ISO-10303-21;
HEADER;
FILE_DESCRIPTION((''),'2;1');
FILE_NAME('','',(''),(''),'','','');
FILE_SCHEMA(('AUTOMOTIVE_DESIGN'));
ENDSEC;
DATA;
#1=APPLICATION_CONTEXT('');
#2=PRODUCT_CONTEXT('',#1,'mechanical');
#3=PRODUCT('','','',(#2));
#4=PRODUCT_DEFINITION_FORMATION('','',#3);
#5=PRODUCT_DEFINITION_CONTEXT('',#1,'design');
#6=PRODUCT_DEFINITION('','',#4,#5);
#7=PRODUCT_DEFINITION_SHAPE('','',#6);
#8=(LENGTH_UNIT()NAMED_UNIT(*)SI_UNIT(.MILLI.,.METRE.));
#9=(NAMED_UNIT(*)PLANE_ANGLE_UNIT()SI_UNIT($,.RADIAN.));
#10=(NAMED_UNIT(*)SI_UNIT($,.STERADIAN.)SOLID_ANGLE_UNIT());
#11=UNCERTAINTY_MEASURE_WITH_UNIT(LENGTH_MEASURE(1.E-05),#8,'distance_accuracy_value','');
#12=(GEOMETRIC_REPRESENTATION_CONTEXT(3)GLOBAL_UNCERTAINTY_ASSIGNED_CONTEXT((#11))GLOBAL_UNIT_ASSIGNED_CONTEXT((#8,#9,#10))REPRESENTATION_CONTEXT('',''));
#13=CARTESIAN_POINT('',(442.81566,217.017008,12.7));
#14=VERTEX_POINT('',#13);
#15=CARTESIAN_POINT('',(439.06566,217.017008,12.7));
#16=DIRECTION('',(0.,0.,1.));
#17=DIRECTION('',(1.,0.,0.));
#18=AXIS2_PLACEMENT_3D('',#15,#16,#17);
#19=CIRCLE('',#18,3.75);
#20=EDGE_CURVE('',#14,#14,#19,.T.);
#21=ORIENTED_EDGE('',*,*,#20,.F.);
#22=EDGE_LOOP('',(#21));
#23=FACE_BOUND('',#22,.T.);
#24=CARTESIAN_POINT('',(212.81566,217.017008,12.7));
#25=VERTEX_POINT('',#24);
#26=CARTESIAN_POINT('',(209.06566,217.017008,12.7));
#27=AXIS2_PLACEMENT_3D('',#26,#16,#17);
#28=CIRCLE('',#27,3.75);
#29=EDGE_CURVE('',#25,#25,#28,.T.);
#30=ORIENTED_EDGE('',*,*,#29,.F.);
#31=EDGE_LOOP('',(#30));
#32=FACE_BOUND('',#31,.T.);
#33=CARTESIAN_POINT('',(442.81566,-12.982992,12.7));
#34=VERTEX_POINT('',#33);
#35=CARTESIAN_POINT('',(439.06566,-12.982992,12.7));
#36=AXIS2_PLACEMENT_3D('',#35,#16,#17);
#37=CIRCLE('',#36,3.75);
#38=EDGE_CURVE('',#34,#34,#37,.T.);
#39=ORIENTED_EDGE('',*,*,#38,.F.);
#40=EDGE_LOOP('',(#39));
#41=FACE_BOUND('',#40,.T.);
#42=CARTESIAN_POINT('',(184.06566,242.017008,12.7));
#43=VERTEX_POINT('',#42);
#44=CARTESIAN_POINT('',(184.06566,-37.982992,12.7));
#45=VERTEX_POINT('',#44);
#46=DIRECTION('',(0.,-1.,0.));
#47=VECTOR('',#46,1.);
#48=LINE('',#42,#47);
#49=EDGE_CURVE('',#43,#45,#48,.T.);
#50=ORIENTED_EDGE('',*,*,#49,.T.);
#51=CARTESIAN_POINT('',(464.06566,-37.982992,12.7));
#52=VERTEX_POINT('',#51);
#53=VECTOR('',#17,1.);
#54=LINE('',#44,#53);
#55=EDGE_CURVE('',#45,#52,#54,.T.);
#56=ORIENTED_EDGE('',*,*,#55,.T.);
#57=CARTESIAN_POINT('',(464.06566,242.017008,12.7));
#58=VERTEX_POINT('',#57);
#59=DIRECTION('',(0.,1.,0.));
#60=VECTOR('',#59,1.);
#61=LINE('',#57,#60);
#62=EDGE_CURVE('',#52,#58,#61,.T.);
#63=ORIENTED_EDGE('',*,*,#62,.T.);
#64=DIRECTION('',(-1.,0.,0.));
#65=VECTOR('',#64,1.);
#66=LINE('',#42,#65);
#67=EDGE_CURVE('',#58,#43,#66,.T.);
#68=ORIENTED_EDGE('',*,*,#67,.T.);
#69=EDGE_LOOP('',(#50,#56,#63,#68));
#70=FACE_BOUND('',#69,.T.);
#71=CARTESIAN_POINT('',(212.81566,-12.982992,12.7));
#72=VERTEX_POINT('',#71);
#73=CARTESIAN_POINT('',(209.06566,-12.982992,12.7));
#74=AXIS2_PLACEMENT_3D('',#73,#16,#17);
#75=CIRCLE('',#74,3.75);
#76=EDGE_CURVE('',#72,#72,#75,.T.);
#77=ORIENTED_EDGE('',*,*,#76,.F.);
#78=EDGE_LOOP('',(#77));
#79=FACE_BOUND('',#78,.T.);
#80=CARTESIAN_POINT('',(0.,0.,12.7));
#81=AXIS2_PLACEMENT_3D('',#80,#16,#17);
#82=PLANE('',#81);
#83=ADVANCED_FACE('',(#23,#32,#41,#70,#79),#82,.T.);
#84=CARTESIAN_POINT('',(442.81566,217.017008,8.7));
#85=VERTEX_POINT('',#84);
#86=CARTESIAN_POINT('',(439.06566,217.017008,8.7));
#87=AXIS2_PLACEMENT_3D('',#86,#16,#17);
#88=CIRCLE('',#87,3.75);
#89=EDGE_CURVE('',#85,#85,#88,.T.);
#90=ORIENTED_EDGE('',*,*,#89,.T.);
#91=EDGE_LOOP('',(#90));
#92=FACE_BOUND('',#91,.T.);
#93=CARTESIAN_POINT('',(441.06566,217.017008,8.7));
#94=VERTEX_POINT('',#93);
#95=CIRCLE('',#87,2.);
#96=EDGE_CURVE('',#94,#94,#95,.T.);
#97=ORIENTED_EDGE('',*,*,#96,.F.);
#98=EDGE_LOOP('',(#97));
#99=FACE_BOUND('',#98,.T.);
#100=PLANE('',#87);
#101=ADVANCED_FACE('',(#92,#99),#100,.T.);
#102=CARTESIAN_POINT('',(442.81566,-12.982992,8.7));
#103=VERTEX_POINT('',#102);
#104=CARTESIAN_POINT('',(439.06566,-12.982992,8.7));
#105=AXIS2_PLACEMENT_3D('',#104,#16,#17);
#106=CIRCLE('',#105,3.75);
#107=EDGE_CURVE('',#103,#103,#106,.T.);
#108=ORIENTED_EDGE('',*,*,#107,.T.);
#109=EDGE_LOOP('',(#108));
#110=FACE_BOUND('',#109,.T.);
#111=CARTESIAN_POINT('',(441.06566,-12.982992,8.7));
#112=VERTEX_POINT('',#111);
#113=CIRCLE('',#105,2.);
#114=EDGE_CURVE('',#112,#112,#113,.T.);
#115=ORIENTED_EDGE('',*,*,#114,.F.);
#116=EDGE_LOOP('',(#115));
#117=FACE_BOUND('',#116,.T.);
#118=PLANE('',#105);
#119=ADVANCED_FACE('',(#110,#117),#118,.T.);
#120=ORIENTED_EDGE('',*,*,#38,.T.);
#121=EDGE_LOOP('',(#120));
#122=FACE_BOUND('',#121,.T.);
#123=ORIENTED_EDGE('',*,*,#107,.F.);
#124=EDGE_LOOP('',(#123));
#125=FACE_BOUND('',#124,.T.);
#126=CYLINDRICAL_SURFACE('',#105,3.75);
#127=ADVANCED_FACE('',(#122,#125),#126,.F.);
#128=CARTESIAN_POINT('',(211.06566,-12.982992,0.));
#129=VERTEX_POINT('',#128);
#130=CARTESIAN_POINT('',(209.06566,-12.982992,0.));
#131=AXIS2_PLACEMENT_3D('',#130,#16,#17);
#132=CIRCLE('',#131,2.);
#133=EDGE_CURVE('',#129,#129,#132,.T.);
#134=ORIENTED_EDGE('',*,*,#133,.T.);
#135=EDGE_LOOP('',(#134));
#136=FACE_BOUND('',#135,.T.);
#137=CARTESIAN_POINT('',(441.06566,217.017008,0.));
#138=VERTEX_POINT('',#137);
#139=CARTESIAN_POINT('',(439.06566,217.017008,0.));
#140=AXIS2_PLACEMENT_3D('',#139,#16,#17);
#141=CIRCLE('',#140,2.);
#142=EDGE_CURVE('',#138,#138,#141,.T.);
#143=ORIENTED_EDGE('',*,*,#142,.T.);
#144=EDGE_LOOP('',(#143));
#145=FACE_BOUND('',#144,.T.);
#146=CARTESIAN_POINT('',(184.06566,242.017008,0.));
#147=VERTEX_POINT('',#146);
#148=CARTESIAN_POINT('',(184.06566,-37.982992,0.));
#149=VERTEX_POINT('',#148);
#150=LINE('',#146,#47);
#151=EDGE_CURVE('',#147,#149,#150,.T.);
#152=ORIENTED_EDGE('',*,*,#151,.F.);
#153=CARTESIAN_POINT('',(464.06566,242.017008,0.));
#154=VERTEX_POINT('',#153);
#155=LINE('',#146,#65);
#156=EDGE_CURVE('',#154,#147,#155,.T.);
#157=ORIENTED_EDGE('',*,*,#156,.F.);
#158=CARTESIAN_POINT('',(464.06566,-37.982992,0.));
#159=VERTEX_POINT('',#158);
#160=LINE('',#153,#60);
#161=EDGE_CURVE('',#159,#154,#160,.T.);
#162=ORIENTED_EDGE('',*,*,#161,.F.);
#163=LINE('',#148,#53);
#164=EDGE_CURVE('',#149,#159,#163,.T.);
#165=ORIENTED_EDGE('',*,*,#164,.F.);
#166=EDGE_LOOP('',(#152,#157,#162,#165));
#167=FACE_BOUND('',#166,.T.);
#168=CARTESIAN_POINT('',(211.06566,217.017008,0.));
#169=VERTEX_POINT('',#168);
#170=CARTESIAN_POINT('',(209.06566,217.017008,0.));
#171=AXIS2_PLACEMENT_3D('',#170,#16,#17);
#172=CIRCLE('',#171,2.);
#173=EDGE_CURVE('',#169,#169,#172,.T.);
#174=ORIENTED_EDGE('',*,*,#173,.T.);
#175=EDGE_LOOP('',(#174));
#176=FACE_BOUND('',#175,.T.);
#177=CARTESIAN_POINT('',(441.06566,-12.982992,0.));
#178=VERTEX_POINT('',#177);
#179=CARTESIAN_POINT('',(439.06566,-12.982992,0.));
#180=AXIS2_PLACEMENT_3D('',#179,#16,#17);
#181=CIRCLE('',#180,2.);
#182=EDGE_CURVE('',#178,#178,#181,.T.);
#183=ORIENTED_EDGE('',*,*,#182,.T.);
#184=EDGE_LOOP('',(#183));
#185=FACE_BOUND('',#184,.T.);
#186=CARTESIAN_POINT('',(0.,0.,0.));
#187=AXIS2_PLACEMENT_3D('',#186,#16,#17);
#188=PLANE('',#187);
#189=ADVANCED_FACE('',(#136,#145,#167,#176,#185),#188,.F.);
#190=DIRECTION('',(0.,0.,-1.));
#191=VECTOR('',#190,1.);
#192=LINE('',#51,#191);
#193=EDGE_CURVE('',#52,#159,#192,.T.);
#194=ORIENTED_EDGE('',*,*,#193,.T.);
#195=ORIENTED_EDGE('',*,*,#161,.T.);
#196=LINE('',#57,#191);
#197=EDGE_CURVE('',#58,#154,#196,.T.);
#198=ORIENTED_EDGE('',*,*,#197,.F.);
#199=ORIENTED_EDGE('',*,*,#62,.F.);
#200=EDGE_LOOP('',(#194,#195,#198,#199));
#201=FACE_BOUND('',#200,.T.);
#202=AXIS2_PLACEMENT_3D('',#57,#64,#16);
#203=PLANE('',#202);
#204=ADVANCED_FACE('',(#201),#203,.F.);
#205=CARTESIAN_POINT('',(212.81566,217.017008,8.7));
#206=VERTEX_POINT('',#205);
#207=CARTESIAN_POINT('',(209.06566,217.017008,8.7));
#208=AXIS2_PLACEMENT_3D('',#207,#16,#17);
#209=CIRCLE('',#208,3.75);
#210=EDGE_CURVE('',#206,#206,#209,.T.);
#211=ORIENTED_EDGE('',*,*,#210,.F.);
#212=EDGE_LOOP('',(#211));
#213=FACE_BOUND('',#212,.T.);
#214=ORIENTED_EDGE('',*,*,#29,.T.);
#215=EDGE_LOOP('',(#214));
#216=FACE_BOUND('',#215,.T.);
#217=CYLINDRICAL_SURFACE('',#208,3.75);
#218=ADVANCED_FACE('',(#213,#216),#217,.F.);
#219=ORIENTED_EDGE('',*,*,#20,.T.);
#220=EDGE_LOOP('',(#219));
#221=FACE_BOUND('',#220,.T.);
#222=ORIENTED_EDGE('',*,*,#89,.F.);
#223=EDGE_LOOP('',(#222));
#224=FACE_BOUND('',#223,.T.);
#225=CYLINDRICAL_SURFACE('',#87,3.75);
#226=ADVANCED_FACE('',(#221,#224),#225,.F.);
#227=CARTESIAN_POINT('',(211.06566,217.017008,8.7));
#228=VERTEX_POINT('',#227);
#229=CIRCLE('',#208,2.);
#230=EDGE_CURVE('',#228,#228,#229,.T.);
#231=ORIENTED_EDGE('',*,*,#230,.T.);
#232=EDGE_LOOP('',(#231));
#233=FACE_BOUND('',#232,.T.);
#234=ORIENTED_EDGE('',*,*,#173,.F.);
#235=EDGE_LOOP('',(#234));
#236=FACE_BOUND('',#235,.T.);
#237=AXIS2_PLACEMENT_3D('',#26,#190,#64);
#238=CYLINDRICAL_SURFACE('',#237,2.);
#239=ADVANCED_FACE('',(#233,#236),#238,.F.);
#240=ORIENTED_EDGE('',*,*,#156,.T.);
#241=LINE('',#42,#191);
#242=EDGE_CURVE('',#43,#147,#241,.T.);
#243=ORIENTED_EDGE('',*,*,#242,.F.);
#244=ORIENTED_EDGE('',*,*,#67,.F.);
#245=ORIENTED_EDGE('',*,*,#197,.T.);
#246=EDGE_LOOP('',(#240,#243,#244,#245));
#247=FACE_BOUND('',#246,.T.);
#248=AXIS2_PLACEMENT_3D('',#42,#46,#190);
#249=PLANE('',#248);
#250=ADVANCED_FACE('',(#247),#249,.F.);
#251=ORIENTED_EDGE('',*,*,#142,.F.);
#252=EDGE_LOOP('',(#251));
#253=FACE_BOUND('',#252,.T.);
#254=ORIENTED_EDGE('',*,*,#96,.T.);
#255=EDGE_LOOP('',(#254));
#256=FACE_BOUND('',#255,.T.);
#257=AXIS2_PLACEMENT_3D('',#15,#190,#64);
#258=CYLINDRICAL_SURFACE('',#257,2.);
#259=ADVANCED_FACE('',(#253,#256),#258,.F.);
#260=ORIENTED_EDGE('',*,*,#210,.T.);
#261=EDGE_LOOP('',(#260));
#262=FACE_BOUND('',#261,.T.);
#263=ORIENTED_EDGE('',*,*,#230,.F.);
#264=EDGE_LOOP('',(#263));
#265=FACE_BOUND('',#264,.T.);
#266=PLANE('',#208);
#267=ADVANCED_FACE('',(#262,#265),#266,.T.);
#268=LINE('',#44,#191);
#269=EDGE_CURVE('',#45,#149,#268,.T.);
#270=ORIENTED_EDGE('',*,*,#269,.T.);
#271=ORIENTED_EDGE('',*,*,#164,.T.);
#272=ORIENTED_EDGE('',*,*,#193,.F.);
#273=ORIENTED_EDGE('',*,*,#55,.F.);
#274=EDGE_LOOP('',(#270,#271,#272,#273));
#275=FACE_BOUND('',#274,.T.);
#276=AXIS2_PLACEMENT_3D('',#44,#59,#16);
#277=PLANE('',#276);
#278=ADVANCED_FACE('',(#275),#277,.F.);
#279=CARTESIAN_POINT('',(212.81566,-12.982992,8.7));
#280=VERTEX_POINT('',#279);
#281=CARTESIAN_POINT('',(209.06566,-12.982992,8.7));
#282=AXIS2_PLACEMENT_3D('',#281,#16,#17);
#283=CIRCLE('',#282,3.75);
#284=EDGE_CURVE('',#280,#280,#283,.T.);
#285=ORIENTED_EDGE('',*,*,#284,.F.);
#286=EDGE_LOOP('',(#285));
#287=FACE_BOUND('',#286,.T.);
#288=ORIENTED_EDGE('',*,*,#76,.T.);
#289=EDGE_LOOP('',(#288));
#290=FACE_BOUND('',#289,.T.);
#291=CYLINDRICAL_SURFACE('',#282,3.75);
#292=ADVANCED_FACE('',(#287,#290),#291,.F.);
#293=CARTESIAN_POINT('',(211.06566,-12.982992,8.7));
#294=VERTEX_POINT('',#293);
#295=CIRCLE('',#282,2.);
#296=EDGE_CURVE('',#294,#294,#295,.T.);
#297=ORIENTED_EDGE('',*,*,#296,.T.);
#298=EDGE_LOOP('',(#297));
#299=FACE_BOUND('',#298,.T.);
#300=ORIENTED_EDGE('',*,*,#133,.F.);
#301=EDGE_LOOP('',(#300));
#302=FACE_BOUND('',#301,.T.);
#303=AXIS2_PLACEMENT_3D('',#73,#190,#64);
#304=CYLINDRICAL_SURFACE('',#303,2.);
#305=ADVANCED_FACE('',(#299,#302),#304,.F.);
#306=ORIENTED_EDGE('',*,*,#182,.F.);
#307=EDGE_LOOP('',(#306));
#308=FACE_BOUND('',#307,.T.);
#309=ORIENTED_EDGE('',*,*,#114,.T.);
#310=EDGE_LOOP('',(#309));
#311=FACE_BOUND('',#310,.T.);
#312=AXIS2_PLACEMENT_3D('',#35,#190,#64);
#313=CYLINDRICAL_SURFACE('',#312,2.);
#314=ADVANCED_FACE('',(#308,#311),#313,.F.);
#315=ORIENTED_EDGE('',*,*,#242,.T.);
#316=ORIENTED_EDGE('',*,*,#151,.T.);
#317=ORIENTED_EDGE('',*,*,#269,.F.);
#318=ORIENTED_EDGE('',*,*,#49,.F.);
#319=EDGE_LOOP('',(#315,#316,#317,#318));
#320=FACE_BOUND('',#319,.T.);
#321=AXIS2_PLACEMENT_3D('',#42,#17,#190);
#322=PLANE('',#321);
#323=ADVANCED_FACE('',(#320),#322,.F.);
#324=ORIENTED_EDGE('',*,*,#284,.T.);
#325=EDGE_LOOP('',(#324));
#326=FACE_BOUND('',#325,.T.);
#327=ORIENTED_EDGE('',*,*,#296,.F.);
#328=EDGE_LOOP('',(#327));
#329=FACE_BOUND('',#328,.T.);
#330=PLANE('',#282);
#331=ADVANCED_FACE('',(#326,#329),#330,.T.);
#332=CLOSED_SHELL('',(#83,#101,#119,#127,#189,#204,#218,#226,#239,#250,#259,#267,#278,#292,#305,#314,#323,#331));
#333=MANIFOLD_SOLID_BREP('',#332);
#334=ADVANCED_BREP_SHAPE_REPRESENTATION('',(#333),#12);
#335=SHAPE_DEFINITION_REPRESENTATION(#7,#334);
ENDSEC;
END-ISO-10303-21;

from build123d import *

# Parameters (mm, degrees)
SKETCH1_W           = 280
SKETCH1_H           = 280
SKETCH1_R           = 2
BOSS_EXTRUDE1_DEPTH = 12.7
SKETCH2_R           = 3.75
CUT_EXTRUDE1_DEPTH  = 4


with BuildPart() as part:
    # Sketch1 → Boss-Extrude1 (new body)
    with BuildSketch(Plane.XY):
        with Locations((324.065660481, 102.017007569)):
            Rectangle(SKETCH1_W, SKETCH1_H)
        with Locations((209.065660481, 217.017007569)):
            Circle(SKETCH1_R, mode=Mode.SUBTRACT)
        with Locations((439.065660481, 217.017007569)):
            Circle(SKETCH1_R, mode=Mode.SUBTRACT)
        with Locations((439.065660481, -12.982992431)):
            Circle(SKETCH1_R, mode=Mode.SUBTRACT)
        with Locations((209.065660481, -12.982992431)):
            Circle(SKETCH1_R, mode=Mode.SUBTRACT)
    extrude(amount=BOSS_EXTRUDE1_DEPTH)

    # Sketch2 → Cut-Extrude1 (cut)
    with BuildSketch(Plane.XY.offset(12.7)):
        with Locations((209.065660481, -12.982992431)):
            Circle(SKETCH2_R)
        with Locations((209.065660481, 217.017007569)):
            Circle(SKETCH2_R)
        with Locations((439.065660481, 217.017007569)):
            Circle(SKETCH2_R)
        with Locations((439.065660481, -12.982992431)):
            Circle(SKETCH2_R)
    extrude(amount=-CUT_EXTRUDE1_DEPTH, mode=Mode.SUBTRACT)


solid = part.part
